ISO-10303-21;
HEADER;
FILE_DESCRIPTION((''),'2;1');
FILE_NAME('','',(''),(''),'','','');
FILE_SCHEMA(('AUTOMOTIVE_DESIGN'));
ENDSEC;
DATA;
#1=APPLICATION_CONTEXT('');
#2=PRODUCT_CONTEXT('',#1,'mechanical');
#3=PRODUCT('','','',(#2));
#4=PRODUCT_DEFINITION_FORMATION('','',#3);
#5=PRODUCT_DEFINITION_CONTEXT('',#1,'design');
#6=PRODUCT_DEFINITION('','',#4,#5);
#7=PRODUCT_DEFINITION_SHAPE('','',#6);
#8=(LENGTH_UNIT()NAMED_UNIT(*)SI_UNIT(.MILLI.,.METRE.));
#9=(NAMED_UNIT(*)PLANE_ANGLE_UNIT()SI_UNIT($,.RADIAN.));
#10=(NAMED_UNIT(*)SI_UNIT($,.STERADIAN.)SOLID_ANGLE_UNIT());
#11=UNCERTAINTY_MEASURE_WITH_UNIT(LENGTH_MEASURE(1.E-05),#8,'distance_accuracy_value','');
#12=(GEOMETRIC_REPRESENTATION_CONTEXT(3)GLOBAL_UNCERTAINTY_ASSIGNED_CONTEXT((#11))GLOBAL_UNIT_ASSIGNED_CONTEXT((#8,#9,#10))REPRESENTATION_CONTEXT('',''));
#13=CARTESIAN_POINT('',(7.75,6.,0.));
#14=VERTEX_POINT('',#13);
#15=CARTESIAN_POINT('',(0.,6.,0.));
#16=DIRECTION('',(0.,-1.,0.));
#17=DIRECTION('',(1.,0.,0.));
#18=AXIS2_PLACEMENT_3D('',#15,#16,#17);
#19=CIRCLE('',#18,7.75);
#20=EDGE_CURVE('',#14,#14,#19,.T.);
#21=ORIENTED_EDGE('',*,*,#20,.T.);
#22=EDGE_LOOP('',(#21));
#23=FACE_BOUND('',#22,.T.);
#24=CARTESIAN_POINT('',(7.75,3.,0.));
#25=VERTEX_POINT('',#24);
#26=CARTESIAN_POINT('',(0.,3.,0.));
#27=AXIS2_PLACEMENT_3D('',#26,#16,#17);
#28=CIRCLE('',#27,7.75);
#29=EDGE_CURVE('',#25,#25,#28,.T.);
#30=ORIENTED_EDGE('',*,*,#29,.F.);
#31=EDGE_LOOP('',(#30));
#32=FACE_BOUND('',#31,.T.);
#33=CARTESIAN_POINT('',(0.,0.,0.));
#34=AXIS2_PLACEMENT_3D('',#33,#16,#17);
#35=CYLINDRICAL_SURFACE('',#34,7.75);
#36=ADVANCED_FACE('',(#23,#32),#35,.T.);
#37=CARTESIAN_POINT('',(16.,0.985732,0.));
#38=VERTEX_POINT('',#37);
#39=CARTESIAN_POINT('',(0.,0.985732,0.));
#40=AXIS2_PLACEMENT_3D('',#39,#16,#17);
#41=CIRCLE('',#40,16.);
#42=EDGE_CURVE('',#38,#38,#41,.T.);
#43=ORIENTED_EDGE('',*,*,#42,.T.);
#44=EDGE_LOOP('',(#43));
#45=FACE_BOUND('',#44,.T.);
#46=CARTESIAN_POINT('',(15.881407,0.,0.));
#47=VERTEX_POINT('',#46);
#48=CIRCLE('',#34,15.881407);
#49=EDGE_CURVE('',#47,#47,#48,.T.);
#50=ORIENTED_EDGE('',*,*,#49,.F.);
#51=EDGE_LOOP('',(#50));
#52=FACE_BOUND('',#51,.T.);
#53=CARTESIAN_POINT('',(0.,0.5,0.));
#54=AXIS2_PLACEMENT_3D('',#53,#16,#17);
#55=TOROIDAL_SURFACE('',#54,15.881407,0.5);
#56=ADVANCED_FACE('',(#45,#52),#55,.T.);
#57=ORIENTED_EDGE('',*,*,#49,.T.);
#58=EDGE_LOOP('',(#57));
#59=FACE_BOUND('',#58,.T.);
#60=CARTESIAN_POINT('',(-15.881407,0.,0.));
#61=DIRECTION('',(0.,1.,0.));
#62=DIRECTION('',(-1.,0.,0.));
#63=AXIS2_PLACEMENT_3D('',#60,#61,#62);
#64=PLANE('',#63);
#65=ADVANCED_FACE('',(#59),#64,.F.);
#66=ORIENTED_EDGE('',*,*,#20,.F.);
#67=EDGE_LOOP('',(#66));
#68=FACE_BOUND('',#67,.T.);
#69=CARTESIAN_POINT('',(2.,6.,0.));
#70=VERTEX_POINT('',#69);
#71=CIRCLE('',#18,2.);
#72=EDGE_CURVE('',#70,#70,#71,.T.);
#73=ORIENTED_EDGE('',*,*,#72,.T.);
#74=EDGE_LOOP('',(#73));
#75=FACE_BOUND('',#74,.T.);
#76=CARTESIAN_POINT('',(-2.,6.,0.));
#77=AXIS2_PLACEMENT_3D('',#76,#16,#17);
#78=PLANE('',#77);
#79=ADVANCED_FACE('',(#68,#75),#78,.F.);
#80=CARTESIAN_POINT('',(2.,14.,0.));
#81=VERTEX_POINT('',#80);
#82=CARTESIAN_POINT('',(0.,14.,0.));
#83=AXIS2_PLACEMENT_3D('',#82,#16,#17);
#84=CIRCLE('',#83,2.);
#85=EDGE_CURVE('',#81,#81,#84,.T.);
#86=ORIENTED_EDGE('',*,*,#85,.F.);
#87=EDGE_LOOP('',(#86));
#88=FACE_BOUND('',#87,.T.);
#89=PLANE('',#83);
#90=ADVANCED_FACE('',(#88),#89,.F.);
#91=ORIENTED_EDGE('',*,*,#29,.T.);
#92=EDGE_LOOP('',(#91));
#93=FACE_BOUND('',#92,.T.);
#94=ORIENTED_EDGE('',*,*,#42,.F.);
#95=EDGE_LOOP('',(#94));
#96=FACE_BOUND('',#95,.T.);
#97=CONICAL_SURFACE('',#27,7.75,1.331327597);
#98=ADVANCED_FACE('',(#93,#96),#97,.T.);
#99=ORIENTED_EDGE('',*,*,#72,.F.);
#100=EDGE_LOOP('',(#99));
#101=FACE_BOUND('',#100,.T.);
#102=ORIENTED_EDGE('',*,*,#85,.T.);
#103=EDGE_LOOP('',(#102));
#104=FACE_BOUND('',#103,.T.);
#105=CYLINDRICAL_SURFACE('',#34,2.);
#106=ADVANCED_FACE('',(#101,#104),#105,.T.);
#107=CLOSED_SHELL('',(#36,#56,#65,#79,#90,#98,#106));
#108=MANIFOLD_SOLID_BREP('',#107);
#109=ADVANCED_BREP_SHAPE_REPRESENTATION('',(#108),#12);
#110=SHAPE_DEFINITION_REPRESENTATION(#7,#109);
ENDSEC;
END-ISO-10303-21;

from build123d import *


with BuildPart() as part:
    # 草图1 → 旋转1 (revolve)
    with BuildSketch(Plane.XY):
        with BuildLine():
            Line((0, 14), (-2, 14))
            Line((-2, 14), (-2, 6))
            Line((-2, 6), (-7.75, 6))
            Line((-7.75, 6), (-7.75, 3))
            Line((-7.75, 3), (-16, 0.985732061))
            ThreePointArc((-16, 0.985732061), (-16.377826925, 0.440275761), (-15.881406725, 0))
            Line((-15.881406725, 0), (0, 0))
            Line((0, 0), (0, 14))
        make_face()
    revolve(axis=Axis((0, 0, 0), (0, 1, 0)))


solid = part.part
